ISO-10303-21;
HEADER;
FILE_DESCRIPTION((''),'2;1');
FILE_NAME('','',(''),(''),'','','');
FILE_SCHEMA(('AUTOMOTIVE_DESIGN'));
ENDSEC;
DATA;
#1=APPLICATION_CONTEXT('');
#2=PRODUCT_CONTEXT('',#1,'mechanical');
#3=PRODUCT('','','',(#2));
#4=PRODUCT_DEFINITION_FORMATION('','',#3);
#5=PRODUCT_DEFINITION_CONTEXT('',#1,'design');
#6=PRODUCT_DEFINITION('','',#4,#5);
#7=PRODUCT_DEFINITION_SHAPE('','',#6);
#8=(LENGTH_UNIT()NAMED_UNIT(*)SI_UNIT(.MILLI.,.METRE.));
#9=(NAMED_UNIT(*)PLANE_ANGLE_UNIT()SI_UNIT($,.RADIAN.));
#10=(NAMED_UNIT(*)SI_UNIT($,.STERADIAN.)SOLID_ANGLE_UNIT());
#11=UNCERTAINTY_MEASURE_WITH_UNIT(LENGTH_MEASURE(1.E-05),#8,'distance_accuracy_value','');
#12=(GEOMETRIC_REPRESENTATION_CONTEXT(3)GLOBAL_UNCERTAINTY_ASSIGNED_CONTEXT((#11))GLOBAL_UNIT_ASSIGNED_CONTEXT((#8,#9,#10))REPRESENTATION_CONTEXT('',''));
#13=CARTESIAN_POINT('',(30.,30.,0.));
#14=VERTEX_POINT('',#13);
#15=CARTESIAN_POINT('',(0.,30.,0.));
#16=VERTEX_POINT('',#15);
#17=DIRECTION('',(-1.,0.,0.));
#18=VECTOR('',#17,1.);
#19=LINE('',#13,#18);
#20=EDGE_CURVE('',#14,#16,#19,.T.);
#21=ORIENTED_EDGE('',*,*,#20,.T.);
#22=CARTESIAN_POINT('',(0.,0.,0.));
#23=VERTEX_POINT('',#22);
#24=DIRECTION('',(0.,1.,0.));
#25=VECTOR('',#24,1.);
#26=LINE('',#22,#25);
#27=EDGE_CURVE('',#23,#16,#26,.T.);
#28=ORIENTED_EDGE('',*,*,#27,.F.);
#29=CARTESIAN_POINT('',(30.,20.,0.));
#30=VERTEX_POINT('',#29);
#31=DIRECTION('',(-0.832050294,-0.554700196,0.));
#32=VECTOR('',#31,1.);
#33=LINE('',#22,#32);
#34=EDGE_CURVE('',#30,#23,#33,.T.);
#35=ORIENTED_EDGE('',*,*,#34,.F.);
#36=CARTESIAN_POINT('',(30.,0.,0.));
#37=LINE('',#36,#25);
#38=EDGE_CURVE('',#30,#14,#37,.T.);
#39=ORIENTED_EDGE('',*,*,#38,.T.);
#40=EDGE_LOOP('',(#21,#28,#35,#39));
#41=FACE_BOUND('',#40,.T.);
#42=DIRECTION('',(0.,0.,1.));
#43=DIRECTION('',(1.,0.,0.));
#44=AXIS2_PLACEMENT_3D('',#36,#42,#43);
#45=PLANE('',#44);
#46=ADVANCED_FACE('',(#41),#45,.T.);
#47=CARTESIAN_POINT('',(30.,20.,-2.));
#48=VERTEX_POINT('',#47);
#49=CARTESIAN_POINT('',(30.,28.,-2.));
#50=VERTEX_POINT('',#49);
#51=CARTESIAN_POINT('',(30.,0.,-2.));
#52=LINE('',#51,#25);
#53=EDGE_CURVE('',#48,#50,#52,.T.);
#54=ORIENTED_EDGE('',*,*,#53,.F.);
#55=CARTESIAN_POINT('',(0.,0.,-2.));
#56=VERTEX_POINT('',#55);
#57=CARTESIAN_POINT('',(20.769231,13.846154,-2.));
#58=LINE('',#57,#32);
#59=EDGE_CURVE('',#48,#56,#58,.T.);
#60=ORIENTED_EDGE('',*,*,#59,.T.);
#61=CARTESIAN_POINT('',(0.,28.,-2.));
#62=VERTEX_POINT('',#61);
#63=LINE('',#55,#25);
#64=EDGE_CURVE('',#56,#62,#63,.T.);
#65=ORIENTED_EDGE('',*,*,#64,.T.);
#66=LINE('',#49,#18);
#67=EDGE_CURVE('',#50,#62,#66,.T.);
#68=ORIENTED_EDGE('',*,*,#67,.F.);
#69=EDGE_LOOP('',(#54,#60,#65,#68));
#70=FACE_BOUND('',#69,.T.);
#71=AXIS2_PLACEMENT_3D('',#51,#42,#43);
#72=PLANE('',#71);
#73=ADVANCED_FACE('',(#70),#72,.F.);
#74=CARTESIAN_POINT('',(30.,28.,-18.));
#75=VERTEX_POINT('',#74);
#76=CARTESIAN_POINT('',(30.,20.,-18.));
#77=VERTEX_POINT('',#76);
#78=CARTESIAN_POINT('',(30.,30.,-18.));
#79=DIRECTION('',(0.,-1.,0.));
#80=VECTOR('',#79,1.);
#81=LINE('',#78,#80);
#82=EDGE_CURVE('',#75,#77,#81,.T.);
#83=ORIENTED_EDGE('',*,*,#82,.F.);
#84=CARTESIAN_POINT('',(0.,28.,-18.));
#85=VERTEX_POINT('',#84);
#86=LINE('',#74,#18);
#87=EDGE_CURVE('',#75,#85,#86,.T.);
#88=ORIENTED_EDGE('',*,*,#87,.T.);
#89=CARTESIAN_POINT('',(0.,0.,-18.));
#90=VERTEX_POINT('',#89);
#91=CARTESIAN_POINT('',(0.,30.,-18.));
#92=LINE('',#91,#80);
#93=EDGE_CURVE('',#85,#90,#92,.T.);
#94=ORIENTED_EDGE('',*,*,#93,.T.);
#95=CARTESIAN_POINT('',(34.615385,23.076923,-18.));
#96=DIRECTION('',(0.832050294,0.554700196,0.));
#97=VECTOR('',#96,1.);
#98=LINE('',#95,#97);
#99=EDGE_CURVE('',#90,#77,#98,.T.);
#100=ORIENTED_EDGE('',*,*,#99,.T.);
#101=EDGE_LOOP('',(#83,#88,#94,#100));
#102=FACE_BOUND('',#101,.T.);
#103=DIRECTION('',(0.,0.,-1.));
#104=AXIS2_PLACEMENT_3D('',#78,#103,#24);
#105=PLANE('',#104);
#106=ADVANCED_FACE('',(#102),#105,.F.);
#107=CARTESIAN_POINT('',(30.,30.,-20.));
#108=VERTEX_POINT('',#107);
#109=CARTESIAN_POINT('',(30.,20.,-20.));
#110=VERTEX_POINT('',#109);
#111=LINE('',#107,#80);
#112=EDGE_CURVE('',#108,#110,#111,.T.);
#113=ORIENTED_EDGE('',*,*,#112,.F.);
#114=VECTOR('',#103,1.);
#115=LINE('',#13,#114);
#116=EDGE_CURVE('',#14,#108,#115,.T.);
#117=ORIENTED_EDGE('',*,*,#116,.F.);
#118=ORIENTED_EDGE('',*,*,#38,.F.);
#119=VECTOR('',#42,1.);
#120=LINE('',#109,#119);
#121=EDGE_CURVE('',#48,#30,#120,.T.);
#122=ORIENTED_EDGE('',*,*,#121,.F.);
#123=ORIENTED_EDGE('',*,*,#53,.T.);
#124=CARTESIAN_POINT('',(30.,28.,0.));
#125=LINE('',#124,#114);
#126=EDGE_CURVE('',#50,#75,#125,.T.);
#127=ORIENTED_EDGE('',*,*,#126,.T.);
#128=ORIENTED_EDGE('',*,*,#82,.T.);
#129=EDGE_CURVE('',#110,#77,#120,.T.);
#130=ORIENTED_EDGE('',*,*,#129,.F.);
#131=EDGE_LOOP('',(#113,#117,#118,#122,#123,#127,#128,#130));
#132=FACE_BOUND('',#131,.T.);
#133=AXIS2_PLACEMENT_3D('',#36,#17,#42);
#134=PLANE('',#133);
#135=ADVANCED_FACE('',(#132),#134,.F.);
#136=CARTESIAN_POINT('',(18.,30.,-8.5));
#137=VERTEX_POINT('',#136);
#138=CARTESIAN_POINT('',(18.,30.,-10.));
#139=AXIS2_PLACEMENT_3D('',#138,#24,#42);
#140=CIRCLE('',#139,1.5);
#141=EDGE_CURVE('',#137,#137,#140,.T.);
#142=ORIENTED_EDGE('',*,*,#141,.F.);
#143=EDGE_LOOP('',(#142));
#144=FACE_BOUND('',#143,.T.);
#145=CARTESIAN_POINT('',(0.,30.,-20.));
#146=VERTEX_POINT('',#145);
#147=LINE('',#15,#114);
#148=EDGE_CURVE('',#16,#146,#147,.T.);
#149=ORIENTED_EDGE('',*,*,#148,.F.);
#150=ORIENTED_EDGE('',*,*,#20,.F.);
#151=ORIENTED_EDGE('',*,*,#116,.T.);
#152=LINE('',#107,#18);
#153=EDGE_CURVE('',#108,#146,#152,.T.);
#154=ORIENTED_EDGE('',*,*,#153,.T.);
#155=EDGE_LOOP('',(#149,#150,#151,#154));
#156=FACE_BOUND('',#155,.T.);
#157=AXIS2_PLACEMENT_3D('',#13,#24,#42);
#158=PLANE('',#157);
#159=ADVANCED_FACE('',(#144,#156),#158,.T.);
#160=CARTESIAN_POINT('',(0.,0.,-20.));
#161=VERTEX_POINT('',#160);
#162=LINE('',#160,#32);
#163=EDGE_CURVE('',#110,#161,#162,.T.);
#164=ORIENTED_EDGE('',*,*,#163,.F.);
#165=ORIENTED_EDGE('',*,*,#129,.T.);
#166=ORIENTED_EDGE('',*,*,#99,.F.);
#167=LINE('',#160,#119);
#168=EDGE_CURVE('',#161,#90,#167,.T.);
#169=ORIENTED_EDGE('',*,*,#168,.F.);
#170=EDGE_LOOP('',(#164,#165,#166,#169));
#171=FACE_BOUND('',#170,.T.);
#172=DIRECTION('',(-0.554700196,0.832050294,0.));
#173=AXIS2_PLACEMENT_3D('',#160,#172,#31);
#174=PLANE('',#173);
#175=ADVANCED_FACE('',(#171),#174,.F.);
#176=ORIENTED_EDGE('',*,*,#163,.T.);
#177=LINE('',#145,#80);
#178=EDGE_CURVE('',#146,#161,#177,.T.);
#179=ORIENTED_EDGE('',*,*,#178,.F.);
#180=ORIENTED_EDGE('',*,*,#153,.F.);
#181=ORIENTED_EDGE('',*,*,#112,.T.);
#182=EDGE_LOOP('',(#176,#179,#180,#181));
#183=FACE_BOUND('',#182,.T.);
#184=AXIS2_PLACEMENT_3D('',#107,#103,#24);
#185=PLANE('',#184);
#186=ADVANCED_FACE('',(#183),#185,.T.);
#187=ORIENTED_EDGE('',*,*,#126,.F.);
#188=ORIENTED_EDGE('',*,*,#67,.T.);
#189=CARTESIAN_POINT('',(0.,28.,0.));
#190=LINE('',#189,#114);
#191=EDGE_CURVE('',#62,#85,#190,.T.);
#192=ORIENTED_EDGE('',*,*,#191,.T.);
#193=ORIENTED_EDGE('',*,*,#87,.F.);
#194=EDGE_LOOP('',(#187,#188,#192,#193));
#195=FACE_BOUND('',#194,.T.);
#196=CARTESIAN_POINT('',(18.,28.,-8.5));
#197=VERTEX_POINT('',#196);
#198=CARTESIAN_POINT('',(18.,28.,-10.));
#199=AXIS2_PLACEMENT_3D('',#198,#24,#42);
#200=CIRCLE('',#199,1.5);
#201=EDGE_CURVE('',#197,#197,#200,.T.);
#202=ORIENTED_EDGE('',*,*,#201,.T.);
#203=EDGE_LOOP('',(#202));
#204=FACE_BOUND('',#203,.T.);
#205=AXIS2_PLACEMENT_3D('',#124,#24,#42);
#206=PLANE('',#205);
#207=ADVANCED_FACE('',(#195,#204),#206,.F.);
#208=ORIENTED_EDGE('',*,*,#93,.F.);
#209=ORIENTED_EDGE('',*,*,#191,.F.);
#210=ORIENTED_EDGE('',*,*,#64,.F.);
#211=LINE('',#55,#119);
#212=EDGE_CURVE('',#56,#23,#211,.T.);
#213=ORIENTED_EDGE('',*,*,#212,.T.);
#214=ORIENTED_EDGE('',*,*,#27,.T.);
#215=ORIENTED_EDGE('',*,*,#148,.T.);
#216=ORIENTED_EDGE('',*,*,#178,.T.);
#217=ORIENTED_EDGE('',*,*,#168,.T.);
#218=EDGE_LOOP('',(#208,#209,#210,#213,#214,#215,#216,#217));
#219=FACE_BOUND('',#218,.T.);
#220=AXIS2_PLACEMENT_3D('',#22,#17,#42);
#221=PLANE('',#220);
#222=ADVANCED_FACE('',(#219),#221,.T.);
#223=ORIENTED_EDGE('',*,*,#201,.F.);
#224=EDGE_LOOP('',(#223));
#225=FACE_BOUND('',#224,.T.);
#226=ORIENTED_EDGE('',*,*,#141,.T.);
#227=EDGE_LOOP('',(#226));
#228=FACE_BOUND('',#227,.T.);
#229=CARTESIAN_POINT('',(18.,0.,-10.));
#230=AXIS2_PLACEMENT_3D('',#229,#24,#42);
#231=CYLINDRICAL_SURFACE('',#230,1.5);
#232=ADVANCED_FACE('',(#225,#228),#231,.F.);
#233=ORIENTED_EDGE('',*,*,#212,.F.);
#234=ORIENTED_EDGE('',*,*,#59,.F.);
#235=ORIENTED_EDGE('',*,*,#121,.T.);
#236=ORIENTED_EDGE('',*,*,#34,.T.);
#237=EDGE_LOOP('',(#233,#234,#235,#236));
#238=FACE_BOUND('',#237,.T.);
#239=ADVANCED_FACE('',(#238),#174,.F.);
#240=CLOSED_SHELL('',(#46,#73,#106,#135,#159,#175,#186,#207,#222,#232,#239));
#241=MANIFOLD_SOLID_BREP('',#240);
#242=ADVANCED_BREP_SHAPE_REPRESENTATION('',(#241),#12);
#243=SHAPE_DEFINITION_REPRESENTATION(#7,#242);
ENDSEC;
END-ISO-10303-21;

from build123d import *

# Parameters (mm, degrees)
EXTRUDE_1_DEPTH     = 30
CUT_EXTRUDE_1_DEPTH = 21
SKETCH_3_R          = 1.5
CUT_EXTRUDE_2_DEPTH = 31


with BuildPart() as part:
    # Эскиз1 → Вытянуть-Тонкостенный1 (new body)
    with BuildSketch(Plane(origin=(0, 0, 0), x_dir=(0, 0, -1), z_dir=(1, 0, 0))):
        Polygon((0, 0), (0, 30), (20, 30), (20, 0), (18, 0), (18, 28), (2, 28), (2, 0), align=None)
    extrude(amount=EXTRUDE_1_DEPTH)

    # Эскиз2 → Вырез-Вытянуть1 (cut, through all)
    with BuildSketch(Plane.XY):
        Polygon((0, 0), (30, 20), (30, 0), align=None)
    extrude(amount=-CUT_EXTRUDE_1_DEPTH, mode=Mode.SUBTRACT)

    # Эскиз3 → Вырез-Вытянуть2 (cut, through all)
    with BuildSketch(Plane(origin=(0, 30, 0), x_dir=(1, 0, 0), z_dir=(0, 1, 0))):
        with Locations((18, 10)):
            Circle(SKETCH_3_R)
    extrude(amount=-CUT_EXTRUDE_2_DEPTH, mode=Mode.SUBTRACT)


solid = part.part
